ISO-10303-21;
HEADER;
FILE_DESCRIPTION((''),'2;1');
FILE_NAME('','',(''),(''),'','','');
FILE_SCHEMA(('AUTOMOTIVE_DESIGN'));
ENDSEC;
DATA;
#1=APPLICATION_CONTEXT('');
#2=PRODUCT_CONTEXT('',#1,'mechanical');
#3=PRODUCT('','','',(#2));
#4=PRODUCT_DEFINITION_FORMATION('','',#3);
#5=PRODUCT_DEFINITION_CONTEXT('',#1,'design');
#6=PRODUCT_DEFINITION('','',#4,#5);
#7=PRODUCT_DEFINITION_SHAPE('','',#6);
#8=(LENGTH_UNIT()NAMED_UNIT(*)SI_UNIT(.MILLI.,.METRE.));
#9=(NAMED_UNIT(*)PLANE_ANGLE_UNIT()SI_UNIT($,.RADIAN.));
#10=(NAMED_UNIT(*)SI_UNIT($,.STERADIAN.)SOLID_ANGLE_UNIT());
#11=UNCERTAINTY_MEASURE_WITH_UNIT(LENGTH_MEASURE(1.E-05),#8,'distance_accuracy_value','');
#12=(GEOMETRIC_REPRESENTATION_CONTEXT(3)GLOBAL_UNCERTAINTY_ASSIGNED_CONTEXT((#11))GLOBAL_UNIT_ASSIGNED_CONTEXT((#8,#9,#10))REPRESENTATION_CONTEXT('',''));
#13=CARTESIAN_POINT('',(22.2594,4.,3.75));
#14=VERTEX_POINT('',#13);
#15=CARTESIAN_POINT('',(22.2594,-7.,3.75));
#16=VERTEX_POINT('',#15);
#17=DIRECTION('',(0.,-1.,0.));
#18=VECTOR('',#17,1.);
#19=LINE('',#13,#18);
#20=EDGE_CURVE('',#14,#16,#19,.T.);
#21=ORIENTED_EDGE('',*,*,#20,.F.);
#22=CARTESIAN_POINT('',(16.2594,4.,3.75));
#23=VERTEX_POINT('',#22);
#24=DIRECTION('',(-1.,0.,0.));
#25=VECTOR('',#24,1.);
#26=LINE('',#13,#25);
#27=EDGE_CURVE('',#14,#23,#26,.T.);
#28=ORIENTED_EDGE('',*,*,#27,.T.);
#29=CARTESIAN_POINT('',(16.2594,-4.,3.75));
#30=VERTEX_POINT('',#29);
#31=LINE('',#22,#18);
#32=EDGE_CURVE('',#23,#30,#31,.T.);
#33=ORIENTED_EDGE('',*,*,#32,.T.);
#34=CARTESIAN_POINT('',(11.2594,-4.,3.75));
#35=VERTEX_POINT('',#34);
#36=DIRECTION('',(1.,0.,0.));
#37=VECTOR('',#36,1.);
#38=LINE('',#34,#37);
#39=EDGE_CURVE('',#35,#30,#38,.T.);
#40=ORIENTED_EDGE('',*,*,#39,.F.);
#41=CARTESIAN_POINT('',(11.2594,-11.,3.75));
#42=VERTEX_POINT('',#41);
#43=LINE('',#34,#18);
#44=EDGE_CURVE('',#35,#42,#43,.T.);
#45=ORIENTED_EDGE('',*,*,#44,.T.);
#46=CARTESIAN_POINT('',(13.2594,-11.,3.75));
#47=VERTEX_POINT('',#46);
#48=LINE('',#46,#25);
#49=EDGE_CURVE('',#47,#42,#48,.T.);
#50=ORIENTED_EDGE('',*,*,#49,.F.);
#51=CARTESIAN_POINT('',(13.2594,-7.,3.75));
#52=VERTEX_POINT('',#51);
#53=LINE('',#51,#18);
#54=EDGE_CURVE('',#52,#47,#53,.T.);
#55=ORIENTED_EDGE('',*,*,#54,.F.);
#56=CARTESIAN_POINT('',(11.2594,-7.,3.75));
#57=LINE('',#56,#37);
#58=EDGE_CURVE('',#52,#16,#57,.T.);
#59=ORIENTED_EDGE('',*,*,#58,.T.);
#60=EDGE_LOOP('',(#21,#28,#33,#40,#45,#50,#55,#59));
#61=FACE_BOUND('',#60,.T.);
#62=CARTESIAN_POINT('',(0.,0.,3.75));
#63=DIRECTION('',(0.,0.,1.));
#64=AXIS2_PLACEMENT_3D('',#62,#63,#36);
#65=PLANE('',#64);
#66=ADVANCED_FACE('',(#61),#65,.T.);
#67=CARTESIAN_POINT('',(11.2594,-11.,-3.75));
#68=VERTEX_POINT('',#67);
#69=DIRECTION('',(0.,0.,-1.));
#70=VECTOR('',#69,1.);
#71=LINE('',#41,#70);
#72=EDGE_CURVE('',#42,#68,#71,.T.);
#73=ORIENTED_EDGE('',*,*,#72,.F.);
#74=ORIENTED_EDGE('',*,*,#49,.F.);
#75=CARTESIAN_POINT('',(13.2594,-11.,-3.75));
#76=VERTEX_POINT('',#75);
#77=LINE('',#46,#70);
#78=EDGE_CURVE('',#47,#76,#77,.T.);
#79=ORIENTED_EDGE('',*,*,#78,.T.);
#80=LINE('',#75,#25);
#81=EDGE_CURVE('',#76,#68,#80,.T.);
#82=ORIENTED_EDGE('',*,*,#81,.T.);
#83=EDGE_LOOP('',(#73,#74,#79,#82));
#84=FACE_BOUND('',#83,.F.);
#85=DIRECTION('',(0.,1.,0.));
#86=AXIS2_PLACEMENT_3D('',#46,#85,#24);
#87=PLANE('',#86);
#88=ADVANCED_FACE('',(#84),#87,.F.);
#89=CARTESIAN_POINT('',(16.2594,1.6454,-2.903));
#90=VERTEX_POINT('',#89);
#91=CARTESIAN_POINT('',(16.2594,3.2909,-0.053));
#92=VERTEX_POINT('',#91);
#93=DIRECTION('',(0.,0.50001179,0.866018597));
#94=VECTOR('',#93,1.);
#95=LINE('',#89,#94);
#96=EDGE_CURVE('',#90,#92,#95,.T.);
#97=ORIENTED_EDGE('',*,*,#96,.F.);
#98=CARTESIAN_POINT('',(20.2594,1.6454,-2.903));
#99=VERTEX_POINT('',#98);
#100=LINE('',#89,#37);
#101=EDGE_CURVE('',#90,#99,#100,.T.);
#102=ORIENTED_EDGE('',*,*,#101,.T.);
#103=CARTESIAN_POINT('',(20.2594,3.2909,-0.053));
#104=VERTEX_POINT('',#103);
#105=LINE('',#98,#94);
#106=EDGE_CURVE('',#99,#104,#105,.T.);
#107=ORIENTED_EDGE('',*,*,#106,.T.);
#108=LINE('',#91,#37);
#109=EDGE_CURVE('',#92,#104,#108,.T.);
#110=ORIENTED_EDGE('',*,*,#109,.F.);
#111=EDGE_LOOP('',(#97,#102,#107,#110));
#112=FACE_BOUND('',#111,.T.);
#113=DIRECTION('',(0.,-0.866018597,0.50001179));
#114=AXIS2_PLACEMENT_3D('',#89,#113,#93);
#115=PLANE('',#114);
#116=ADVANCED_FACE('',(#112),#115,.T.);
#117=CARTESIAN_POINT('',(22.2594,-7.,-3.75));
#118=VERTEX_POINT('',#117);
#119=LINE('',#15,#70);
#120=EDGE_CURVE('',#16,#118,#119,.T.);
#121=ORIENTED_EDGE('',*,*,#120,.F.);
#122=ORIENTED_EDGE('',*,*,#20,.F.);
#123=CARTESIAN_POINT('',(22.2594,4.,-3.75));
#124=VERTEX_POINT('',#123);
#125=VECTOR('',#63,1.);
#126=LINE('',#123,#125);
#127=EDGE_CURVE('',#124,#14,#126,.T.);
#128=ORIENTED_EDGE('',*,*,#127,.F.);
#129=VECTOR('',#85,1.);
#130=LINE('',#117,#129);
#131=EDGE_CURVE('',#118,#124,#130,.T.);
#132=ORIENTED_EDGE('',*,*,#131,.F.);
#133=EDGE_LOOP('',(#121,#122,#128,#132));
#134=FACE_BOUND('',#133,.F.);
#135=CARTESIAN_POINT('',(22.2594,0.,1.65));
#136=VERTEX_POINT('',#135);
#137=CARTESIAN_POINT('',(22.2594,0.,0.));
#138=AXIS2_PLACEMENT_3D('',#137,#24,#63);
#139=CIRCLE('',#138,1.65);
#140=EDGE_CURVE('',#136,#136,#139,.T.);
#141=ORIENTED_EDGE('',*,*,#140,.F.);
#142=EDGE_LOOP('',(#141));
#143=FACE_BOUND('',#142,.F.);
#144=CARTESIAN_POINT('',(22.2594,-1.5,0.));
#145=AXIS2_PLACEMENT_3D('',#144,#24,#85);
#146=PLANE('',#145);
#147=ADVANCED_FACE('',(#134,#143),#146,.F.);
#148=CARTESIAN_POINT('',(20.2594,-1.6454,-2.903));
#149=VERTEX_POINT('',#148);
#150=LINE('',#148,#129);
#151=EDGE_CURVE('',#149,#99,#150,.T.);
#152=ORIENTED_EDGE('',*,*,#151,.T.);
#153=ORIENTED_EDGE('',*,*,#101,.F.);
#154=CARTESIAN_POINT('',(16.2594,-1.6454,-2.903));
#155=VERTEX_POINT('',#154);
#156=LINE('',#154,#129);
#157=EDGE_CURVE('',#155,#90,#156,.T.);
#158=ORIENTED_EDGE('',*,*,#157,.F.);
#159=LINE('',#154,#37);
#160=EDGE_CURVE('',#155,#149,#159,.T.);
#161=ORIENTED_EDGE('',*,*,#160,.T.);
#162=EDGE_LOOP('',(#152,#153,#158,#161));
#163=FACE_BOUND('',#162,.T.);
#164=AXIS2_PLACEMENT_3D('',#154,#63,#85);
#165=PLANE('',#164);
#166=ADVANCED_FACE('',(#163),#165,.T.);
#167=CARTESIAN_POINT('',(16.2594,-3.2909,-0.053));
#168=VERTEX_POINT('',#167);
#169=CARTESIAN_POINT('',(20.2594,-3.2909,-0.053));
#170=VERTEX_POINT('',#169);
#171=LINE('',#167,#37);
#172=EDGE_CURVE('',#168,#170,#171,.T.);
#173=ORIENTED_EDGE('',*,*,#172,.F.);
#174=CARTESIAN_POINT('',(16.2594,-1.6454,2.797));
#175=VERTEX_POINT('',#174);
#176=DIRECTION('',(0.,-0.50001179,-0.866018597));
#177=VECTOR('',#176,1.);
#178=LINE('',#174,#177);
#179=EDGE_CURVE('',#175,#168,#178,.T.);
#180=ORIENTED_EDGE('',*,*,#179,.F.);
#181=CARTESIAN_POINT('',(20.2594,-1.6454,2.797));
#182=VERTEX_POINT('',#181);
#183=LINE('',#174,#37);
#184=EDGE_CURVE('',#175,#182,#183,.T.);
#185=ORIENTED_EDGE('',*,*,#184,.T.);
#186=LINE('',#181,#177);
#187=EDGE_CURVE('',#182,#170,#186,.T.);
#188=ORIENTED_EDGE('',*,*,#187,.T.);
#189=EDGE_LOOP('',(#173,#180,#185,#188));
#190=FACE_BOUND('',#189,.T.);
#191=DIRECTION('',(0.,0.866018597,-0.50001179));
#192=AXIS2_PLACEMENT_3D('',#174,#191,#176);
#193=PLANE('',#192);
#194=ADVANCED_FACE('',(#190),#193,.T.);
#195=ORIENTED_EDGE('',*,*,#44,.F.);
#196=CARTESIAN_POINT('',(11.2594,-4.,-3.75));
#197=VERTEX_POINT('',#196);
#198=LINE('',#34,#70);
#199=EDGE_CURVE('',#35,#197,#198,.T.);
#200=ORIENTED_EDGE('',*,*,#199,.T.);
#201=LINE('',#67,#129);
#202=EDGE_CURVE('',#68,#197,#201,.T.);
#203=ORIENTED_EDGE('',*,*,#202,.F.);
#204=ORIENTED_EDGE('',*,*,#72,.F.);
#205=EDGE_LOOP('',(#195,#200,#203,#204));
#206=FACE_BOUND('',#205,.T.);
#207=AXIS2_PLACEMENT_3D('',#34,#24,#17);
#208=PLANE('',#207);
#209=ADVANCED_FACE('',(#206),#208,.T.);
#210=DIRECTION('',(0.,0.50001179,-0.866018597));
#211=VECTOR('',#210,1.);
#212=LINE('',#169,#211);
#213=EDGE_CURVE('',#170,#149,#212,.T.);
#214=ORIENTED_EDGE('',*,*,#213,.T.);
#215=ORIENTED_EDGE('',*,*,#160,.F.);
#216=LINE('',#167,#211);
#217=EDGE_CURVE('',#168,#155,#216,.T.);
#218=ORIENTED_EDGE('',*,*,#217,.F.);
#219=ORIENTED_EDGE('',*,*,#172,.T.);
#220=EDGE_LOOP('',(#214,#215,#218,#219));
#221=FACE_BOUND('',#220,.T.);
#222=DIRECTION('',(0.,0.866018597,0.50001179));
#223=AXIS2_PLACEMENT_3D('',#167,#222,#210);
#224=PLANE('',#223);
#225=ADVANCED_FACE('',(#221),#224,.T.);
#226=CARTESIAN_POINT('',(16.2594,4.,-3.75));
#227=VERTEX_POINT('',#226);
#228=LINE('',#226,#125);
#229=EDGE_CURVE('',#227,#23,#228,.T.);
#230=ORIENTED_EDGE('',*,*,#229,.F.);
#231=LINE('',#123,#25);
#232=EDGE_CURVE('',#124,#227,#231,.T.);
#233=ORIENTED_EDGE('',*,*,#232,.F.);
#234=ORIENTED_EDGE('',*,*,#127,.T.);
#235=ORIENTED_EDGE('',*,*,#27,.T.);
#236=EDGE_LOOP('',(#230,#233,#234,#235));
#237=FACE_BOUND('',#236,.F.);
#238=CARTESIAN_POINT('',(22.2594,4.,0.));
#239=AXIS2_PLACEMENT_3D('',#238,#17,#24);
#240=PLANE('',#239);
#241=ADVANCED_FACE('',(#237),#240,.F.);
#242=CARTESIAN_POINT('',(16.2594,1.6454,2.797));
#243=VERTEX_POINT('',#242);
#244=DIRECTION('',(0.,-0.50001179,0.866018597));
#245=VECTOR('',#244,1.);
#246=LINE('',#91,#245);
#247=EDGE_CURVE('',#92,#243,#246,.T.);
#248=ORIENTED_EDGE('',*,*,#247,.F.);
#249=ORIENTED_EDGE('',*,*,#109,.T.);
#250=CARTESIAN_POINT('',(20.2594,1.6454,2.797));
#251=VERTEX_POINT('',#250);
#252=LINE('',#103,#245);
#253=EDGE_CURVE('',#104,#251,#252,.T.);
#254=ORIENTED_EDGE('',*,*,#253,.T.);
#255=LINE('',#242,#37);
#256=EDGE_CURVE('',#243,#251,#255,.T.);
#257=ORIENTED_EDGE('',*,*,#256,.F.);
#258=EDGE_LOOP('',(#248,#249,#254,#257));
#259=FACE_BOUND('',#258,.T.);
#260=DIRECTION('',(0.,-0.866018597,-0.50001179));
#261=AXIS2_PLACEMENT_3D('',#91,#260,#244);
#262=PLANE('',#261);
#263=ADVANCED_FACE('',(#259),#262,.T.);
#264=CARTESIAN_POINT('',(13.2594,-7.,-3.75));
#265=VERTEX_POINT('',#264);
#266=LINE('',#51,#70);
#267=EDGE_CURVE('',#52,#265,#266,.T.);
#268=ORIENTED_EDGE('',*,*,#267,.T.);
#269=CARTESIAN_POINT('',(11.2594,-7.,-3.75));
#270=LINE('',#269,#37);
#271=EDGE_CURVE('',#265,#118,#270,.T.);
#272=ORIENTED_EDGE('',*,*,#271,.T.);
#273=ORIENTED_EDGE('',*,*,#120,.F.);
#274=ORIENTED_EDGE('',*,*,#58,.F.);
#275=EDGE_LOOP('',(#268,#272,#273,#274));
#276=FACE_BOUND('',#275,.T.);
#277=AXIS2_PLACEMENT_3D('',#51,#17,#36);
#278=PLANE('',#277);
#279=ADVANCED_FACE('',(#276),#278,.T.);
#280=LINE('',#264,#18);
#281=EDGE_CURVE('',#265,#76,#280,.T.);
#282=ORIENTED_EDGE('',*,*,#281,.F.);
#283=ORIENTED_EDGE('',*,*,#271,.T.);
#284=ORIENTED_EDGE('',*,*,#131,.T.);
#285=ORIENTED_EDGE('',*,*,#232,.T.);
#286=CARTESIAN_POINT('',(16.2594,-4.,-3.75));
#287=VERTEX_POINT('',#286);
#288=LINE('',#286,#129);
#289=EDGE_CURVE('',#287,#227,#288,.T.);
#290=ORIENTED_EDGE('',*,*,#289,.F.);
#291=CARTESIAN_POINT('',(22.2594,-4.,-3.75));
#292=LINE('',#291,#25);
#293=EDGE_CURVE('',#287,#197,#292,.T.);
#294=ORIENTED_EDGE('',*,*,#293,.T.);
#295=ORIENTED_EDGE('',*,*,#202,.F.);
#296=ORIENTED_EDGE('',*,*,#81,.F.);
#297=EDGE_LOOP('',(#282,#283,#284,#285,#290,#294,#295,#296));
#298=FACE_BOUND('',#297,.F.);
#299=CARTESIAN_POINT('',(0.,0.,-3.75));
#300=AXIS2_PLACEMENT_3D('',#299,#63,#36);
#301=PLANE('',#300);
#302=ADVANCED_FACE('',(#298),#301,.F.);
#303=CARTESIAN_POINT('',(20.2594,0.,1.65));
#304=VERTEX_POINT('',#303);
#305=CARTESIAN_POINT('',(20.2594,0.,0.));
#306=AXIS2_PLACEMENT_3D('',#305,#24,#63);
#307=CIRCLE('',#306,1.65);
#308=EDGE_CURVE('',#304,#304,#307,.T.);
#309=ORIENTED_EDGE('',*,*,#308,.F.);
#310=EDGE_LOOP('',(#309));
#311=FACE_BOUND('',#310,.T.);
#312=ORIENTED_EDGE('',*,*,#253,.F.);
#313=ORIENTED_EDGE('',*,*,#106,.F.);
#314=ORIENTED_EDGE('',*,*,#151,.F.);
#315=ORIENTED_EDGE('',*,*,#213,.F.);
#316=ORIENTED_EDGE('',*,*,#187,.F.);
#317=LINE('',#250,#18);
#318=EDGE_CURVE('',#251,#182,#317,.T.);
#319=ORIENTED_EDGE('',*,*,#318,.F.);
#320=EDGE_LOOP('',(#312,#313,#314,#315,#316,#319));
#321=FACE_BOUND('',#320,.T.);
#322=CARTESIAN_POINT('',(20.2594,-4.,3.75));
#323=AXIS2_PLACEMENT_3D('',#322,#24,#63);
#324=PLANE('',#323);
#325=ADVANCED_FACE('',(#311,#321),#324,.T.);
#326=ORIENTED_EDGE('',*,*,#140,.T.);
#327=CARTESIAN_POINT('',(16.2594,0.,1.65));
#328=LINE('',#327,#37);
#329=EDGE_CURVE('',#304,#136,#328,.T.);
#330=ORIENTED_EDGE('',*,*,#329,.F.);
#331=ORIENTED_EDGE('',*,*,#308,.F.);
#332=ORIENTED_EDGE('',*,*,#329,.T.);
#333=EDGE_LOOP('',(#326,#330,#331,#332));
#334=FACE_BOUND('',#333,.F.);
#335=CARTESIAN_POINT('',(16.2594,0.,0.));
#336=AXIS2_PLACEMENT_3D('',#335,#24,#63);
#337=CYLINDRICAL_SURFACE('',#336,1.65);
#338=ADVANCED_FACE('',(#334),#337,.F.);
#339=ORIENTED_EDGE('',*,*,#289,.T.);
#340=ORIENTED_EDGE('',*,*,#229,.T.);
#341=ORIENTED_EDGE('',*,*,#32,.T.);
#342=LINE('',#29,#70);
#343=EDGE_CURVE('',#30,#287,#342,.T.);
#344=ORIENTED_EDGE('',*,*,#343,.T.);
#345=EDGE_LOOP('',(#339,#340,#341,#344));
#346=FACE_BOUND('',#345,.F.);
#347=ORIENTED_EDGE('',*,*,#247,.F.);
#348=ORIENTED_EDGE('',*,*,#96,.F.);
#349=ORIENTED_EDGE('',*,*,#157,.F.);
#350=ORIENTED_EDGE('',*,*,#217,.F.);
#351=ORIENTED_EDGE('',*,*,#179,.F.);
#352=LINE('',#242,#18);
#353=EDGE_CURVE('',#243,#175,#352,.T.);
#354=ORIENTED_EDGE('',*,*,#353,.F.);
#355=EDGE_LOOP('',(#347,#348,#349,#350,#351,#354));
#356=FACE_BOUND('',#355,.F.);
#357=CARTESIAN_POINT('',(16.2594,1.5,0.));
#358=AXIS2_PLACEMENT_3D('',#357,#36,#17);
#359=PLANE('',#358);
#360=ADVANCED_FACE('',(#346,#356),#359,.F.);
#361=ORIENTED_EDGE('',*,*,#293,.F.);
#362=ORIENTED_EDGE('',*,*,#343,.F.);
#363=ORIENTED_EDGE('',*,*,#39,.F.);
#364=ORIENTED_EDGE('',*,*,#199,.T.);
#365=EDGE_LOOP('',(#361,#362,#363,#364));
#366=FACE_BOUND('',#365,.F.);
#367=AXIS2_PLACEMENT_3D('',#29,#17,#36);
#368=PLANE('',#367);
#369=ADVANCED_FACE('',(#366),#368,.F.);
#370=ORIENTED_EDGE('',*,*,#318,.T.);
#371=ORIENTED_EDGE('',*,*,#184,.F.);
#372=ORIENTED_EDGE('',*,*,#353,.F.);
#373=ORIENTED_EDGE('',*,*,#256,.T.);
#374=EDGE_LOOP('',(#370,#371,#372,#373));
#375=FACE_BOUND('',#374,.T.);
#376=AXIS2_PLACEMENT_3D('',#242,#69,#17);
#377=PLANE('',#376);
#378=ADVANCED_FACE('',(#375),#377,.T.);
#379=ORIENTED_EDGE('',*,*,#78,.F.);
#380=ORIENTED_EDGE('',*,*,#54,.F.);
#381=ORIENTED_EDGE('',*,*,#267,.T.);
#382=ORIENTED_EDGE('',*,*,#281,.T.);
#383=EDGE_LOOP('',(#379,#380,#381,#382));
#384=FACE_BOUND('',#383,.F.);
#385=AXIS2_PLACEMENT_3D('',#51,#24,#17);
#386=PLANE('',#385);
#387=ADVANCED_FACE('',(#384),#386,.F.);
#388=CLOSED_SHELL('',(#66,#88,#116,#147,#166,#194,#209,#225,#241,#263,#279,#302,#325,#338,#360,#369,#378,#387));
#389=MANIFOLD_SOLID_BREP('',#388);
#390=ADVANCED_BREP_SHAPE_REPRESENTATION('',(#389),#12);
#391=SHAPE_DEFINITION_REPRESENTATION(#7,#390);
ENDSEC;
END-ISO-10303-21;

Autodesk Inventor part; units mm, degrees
ref_plane "YZ Plane" through (0, 0, 0) normal (1, 0, 0) x (0, 1, 0)
ref_plane "XZ Plane" through (0, 0, 0) normal (0, 1, 0) x (-1, 0, 0)
ref_plane "XY Plane" through (0, 0, 0) normal (0, 0, 1) x (1, 0, 0)
sketch "Sketch1" plane through (0, 0, 0) normal (0, 0, 1) x (1, 0, 0)
  line L0 (31.7273, 1.5) -> (12.134, 1.5)
  line L1 (31.7273, -1.5) -> (12.134, -1.5)
  line L2 (16.2594, -4) -> (22.2594, -4)
  line L3 (22.2594, -4) -> (22.2594, 4)
  line L4 (22.2594, 4) -> (16.2594, 4)
  line L5 (16.2594, 4) -> (16.2594, -4)
  line L6 (16.2594, -4) -> (22.2594, 4) construction
  line L7 (22.2594, -4) -> (16.2594, 4) construction
  point P0 (0, 0)
  point P1 (19.2594, 0)
  dimension "d0" = 8
  dimension "d1" = 6
extrude "Extrusion1" add sketch "Sketch1" along normal mid plane 7.5
sketch "Sketch2" plane through (16.2594, -4, 3.75) normal (-1, 0, 0) x (0, 0, 1)
  line L0 (0, 0) -> (-7.5, 0) projected
  line L1 (0, 8) -> (0, 0) projected
  line L2 (-7.5, 8) -> (0, 8) projected
  line L3 (-7.5, 0) -> (-7.5, 8) projected
  circle A0 centre (-3.75, 4) radius 1.65
  dimension "d17" = 3.3
extrude "Extrusion2" cut sketch "Sketch2" against normal through all contours A0
sketch "Sketch3" plane through (16.2594, -4, 3.75) normal (-1, 0, 0) x (0, 0, 1)
  point P0 (-3.75, 4)
sketch "Sketch4" plane through (16.2594, -4, 3.75) normal (-1, 0, 0) x (0, 0, 1)
  line L0 (-0.953, 2.3546) -> (-3.803, 0.7091)
  line L1 (-3.803, 0.7091) -> (-6.653, 2.3546)
  line L2 (-6.653, 2.3546) -> (-6.653, 5.6454)
  line L3 (-6.653, 5.6454) -> (-3.803, 7.2909)
  line L4 (-3.803, 7.2909) -> (-0.953, 5.6454)
  line L5 (-0.953, 5.6454) -> (-0.953, 2.3546)
  line L6 (-7.5, 0) -> (-7.5, 8) projected
  point P0 (-3.803, 4)
  dimension "d18" = 5.7
extrude "Extrusion3" cut sketch "Sketch4" against normal blind 4
sketch "Sketch5" plane through (0, 0, 3.75) normal (0, 0, 1) x (1, 0, 0)
  line L0 (16.2594, -4) -> (22.2594, -4) projected
  line L1 (22.2594, -4) -> (22.2594, 4) projected
  line L2 (22.2594, 4) -> (16.2594, 4) projected
  line L3 (16.2594, 4) -> (16.2594, -4) projected
  line L4 (16.2594, -4) -> (22.2594, -4) projected
  line L5 (22.2594, -4) -> (11.2594, -4)
  line L6 (11.2594, -4) -> (11.2594, -7)
  line L7 (11.2594, -7) -> (22.2594, -7)
  line L8 (22.2594, -7) -> (22.2594, -4)
  line L9 (11.2594, -7) -> (13.2594, -7)
  line L10 (13.2594, -7) -> (13.2594, -11)
  line L11 (13.2594, -11) -> (11.2594, -11)
  line L12 (11.2594, -11) -> (11.2594, -7)
  point P0 (0, 0)
  dimension "d13" = 11
  dimension "d14" = 3
  dimension "d15" = 2
  dimension "d16" = 4
extrude "Extrusion4" add sketch "Sketch5" against normal up to surface (7.5 mm away) contours L0 L8 L7 L6 L5 | L7 L10 L11 L12
properties part number "TMP_Holder_MTP"
